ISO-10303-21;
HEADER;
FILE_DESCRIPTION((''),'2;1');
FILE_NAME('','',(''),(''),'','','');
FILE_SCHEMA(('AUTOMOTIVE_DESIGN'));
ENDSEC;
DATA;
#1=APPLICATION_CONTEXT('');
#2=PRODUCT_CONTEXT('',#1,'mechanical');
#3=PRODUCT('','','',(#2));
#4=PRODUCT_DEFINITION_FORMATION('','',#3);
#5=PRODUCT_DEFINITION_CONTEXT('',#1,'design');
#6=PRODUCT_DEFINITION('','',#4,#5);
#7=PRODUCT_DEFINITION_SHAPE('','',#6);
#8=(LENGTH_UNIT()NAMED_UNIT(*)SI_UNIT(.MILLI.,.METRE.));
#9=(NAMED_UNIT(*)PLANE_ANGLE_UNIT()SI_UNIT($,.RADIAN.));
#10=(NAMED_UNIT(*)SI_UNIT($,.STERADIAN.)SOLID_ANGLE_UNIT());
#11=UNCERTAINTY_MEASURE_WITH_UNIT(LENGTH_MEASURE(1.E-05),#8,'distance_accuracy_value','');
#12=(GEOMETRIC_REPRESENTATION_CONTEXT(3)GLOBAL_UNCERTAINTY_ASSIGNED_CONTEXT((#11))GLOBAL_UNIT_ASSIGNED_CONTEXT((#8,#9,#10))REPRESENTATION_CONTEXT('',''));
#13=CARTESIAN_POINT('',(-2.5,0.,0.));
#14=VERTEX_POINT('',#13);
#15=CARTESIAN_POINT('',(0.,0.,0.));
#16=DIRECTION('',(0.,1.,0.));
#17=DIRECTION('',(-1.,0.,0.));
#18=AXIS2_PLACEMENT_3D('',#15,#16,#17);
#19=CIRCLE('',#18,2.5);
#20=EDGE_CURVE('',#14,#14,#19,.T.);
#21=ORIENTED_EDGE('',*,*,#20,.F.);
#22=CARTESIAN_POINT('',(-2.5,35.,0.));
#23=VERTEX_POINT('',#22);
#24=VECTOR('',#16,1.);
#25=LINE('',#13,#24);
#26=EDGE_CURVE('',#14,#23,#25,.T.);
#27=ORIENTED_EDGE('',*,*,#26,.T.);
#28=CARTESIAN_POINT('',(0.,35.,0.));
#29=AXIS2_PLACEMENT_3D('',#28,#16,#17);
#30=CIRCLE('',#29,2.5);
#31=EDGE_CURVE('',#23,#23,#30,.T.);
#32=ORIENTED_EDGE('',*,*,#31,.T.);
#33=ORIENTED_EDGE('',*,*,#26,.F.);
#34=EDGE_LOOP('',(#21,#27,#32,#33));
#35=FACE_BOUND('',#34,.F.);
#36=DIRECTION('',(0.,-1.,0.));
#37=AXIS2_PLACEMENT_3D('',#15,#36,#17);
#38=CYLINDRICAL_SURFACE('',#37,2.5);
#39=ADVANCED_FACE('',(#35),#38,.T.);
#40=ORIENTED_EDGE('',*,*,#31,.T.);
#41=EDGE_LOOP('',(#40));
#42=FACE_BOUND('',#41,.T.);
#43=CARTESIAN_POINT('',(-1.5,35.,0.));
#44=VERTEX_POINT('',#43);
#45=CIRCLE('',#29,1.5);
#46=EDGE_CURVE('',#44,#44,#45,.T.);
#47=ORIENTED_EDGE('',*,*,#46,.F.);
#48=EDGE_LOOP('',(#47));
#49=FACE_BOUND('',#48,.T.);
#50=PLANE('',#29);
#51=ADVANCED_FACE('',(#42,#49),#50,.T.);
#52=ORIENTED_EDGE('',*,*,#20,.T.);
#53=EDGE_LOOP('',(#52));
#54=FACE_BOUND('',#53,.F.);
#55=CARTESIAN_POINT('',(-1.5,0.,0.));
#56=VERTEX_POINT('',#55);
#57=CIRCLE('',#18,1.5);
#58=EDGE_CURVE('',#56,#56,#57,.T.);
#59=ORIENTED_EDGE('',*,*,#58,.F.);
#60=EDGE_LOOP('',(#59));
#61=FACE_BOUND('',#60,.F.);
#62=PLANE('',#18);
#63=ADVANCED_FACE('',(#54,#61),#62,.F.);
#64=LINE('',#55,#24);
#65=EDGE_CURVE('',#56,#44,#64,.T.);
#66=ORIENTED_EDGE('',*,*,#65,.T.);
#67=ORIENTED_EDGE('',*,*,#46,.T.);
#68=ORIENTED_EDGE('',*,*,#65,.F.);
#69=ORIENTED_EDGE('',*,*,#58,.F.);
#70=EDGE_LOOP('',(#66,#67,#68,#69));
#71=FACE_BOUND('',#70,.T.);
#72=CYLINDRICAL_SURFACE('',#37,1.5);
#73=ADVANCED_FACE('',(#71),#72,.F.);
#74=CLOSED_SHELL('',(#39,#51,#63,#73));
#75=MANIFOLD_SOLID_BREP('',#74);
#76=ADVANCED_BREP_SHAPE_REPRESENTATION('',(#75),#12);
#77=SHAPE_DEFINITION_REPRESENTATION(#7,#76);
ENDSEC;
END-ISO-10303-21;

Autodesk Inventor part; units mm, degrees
ref_plane "YZ Plane" through (0, 0, 0) normal (1, 0, 0) x (0, 1, 0)
ref_plane "XZ Plane" through (0, 0, 0) normal (0, 1, 0) x (-1, 0, 0)
ref_plane "XY Plane" through (0, 0, 0) normal (0, 0, 1) x (1, 0, 0)
sketch "Sketch1" plane through (0, 0, 0) normal (0, 1, 0) x (-1, 0, 0)
  circle A0 centre (0, 0) radius 2.5
  circle A1 centre (0, 0) radius 1.5
  dimension "d0" = 5
  dimension "d1" = 3
extrude "Extrusion1" add sketch "Sketch1" along normal blind 35
properties part number "Trudong35"
